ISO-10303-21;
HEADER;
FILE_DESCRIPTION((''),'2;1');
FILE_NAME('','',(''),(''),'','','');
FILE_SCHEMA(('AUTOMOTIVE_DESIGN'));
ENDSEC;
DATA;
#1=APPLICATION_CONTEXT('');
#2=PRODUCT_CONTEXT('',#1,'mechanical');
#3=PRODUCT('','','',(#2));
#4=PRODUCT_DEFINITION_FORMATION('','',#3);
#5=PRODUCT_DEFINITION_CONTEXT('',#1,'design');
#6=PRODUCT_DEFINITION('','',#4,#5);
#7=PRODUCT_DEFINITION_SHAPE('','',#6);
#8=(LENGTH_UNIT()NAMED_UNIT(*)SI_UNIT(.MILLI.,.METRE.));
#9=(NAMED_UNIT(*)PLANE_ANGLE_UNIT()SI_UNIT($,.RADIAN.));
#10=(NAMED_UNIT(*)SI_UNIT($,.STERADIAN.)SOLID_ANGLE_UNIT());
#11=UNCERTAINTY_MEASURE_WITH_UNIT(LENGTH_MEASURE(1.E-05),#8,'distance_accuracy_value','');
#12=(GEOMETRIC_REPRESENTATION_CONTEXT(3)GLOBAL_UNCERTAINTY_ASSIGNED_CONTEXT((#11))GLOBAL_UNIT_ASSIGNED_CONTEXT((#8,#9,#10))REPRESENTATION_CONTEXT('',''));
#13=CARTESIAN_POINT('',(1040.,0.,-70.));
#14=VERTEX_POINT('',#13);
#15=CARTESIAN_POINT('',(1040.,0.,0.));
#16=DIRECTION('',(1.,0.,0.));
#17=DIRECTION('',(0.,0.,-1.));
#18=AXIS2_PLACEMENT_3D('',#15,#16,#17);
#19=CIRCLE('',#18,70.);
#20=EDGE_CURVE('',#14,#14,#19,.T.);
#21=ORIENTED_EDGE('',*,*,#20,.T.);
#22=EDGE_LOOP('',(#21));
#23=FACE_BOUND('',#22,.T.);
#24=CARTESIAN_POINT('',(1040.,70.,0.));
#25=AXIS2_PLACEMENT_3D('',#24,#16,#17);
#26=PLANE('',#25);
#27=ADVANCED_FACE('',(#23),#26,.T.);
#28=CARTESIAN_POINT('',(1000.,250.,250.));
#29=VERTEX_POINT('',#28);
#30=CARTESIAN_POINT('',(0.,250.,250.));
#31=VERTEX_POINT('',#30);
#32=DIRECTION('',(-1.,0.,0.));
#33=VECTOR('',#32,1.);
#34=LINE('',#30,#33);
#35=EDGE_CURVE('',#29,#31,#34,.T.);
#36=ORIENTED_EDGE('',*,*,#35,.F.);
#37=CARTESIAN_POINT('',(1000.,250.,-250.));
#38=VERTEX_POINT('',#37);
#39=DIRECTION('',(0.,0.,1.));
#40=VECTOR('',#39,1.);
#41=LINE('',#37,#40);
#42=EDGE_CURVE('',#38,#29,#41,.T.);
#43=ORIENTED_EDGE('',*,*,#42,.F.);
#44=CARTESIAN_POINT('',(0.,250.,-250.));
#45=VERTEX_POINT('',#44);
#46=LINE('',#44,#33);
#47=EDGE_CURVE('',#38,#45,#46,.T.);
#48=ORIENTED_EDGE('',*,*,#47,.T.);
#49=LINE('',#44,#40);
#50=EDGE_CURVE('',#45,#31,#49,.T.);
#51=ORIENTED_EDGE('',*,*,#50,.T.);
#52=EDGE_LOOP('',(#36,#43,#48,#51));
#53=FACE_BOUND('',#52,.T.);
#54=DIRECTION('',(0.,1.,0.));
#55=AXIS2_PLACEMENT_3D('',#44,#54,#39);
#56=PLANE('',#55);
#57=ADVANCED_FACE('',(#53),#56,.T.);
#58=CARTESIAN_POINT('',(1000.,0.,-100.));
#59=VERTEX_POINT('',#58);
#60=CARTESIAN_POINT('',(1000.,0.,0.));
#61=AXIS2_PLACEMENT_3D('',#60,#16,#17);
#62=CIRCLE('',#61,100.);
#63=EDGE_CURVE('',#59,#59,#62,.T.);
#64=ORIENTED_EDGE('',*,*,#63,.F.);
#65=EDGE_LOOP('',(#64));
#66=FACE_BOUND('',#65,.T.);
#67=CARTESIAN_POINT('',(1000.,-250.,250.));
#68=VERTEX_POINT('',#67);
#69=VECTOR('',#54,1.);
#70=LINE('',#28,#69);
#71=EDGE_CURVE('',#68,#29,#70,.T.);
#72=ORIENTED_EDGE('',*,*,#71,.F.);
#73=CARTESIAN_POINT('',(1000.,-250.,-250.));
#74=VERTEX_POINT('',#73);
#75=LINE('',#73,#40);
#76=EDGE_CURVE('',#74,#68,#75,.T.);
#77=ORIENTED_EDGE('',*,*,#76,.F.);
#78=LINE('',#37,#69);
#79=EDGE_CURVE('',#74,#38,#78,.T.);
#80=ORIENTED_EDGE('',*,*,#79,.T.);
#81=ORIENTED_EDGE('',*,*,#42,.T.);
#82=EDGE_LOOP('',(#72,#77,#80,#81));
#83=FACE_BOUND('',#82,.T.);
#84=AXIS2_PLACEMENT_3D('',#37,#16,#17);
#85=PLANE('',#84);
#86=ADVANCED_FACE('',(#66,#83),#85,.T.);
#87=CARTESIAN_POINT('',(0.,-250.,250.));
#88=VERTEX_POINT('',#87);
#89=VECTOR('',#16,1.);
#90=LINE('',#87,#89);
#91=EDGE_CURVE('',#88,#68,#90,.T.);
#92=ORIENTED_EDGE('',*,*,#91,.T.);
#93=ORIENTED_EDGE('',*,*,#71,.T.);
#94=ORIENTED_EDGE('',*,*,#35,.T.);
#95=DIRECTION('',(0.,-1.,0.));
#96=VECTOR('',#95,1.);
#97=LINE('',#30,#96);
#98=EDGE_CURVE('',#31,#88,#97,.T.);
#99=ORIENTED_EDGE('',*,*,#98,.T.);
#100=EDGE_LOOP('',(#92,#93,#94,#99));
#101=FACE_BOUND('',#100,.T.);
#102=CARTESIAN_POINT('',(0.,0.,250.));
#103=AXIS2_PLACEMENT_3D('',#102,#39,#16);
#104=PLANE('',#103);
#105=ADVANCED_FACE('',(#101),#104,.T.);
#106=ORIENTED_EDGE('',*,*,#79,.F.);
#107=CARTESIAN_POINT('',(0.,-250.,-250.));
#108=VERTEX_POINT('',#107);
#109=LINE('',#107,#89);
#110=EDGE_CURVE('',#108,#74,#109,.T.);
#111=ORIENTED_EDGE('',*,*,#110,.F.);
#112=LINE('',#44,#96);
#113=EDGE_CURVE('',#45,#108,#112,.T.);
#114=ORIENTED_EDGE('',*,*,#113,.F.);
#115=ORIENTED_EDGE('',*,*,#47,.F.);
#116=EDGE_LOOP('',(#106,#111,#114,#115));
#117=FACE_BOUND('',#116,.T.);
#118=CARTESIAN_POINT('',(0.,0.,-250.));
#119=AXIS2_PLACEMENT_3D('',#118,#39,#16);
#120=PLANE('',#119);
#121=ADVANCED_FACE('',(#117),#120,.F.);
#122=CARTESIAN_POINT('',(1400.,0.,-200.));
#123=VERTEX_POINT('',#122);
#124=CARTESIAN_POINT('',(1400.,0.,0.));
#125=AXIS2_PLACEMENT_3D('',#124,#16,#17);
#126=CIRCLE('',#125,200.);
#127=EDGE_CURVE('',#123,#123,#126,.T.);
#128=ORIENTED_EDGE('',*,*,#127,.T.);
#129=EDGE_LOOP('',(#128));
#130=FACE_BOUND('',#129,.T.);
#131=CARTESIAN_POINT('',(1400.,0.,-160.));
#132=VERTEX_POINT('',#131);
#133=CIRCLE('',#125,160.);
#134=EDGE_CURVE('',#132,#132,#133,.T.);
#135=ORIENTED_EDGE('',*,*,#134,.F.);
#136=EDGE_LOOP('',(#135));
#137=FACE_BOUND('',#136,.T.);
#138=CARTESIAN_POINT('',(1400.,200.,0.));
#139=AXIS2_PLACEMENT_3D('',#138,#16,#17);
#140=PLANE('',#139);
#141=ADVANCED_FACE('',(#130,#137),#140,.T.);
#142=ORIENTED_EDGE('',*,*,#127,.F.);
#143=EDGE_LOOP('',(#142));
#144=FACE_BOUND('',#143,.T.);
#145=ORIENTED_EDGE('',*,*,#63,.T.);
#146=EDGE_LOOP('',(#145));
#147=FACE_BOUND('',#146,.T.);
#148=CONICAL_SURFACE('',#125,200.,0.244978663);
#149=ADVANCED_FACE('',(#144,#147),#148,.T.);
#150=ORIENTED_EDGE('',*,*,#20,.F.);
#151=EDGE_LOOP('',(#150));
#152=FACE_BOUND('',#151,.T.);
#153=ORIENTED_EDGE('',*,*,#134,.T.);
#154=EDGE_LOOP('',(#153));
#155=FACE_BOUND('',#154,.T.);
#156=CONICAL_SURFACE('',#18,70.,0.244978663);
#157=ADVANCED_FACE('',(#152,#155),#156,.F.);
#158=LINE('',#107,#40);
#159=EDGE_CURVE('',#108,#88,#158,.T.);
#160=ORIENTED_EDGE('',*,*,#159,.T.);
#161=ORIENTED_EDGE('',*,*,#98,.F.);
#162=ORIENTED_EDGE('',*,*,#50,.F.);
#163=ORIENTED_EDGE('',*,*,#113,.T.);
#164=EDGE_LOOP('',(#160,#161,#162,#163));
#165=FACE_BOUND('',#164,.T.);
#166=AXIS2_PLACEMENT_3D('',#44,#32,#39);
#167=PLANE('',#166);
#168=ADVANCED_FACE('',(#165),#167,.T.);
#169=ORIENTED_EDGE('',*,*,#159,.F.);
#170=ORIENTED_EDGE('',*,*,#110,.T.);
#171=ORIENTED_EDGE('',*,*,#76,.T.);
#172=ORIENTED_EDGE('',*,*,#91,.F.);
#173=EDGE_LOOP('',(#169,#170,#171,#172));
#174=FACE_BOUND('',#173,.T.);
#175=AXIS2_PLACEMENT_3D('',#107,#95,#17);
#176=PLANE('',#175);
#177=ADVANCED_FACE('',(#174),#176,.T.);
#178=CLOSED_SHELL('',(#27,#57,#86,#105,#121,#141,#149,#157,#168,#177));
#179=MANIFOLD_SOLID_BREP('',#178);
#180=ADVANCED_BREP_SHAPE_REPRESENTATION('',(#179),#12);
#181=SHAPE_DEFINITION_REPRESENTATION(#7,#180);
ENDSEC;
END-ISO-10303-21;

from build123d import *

# Parameters (mm, degrees)
BOSS_EXTRUDE1_DEPTH      = 250
BOSS_EXTRUDE1_DEPTH_BACK = 250
SKETCH1_W                = 1000
SKETCH1_H                = 500


with BuildPart() as part:
    # Sketch1 → Boss-Extrude1 (new, two sides: drawn at the far end of the back side and taken through both)
    with BuildSketch(Plane.XY.offset(-BOSS_EXTRUDE1_DEPTH_BACK)):
        with Locations((500, 0)):
            Rectangle(SKETCH1_W, SKETCH1_H)
    extrude(amount=BOSS_EXTRUDE1_DEPTH + BOSS_EXTRUDE1_DEPTH_BACK)

    # Sketch3 → Revolve1 (revolve)
    with BuildSketch(Plane.XY):
        Polygon((1000, 0), (1000, 100), (1400, 200), (1400, 160), (1040, 70), (1040, 0), align=None)
    revolve(axis=Axis((1040, 0, 0), (-1, 0, 0)))


solid = part.part
